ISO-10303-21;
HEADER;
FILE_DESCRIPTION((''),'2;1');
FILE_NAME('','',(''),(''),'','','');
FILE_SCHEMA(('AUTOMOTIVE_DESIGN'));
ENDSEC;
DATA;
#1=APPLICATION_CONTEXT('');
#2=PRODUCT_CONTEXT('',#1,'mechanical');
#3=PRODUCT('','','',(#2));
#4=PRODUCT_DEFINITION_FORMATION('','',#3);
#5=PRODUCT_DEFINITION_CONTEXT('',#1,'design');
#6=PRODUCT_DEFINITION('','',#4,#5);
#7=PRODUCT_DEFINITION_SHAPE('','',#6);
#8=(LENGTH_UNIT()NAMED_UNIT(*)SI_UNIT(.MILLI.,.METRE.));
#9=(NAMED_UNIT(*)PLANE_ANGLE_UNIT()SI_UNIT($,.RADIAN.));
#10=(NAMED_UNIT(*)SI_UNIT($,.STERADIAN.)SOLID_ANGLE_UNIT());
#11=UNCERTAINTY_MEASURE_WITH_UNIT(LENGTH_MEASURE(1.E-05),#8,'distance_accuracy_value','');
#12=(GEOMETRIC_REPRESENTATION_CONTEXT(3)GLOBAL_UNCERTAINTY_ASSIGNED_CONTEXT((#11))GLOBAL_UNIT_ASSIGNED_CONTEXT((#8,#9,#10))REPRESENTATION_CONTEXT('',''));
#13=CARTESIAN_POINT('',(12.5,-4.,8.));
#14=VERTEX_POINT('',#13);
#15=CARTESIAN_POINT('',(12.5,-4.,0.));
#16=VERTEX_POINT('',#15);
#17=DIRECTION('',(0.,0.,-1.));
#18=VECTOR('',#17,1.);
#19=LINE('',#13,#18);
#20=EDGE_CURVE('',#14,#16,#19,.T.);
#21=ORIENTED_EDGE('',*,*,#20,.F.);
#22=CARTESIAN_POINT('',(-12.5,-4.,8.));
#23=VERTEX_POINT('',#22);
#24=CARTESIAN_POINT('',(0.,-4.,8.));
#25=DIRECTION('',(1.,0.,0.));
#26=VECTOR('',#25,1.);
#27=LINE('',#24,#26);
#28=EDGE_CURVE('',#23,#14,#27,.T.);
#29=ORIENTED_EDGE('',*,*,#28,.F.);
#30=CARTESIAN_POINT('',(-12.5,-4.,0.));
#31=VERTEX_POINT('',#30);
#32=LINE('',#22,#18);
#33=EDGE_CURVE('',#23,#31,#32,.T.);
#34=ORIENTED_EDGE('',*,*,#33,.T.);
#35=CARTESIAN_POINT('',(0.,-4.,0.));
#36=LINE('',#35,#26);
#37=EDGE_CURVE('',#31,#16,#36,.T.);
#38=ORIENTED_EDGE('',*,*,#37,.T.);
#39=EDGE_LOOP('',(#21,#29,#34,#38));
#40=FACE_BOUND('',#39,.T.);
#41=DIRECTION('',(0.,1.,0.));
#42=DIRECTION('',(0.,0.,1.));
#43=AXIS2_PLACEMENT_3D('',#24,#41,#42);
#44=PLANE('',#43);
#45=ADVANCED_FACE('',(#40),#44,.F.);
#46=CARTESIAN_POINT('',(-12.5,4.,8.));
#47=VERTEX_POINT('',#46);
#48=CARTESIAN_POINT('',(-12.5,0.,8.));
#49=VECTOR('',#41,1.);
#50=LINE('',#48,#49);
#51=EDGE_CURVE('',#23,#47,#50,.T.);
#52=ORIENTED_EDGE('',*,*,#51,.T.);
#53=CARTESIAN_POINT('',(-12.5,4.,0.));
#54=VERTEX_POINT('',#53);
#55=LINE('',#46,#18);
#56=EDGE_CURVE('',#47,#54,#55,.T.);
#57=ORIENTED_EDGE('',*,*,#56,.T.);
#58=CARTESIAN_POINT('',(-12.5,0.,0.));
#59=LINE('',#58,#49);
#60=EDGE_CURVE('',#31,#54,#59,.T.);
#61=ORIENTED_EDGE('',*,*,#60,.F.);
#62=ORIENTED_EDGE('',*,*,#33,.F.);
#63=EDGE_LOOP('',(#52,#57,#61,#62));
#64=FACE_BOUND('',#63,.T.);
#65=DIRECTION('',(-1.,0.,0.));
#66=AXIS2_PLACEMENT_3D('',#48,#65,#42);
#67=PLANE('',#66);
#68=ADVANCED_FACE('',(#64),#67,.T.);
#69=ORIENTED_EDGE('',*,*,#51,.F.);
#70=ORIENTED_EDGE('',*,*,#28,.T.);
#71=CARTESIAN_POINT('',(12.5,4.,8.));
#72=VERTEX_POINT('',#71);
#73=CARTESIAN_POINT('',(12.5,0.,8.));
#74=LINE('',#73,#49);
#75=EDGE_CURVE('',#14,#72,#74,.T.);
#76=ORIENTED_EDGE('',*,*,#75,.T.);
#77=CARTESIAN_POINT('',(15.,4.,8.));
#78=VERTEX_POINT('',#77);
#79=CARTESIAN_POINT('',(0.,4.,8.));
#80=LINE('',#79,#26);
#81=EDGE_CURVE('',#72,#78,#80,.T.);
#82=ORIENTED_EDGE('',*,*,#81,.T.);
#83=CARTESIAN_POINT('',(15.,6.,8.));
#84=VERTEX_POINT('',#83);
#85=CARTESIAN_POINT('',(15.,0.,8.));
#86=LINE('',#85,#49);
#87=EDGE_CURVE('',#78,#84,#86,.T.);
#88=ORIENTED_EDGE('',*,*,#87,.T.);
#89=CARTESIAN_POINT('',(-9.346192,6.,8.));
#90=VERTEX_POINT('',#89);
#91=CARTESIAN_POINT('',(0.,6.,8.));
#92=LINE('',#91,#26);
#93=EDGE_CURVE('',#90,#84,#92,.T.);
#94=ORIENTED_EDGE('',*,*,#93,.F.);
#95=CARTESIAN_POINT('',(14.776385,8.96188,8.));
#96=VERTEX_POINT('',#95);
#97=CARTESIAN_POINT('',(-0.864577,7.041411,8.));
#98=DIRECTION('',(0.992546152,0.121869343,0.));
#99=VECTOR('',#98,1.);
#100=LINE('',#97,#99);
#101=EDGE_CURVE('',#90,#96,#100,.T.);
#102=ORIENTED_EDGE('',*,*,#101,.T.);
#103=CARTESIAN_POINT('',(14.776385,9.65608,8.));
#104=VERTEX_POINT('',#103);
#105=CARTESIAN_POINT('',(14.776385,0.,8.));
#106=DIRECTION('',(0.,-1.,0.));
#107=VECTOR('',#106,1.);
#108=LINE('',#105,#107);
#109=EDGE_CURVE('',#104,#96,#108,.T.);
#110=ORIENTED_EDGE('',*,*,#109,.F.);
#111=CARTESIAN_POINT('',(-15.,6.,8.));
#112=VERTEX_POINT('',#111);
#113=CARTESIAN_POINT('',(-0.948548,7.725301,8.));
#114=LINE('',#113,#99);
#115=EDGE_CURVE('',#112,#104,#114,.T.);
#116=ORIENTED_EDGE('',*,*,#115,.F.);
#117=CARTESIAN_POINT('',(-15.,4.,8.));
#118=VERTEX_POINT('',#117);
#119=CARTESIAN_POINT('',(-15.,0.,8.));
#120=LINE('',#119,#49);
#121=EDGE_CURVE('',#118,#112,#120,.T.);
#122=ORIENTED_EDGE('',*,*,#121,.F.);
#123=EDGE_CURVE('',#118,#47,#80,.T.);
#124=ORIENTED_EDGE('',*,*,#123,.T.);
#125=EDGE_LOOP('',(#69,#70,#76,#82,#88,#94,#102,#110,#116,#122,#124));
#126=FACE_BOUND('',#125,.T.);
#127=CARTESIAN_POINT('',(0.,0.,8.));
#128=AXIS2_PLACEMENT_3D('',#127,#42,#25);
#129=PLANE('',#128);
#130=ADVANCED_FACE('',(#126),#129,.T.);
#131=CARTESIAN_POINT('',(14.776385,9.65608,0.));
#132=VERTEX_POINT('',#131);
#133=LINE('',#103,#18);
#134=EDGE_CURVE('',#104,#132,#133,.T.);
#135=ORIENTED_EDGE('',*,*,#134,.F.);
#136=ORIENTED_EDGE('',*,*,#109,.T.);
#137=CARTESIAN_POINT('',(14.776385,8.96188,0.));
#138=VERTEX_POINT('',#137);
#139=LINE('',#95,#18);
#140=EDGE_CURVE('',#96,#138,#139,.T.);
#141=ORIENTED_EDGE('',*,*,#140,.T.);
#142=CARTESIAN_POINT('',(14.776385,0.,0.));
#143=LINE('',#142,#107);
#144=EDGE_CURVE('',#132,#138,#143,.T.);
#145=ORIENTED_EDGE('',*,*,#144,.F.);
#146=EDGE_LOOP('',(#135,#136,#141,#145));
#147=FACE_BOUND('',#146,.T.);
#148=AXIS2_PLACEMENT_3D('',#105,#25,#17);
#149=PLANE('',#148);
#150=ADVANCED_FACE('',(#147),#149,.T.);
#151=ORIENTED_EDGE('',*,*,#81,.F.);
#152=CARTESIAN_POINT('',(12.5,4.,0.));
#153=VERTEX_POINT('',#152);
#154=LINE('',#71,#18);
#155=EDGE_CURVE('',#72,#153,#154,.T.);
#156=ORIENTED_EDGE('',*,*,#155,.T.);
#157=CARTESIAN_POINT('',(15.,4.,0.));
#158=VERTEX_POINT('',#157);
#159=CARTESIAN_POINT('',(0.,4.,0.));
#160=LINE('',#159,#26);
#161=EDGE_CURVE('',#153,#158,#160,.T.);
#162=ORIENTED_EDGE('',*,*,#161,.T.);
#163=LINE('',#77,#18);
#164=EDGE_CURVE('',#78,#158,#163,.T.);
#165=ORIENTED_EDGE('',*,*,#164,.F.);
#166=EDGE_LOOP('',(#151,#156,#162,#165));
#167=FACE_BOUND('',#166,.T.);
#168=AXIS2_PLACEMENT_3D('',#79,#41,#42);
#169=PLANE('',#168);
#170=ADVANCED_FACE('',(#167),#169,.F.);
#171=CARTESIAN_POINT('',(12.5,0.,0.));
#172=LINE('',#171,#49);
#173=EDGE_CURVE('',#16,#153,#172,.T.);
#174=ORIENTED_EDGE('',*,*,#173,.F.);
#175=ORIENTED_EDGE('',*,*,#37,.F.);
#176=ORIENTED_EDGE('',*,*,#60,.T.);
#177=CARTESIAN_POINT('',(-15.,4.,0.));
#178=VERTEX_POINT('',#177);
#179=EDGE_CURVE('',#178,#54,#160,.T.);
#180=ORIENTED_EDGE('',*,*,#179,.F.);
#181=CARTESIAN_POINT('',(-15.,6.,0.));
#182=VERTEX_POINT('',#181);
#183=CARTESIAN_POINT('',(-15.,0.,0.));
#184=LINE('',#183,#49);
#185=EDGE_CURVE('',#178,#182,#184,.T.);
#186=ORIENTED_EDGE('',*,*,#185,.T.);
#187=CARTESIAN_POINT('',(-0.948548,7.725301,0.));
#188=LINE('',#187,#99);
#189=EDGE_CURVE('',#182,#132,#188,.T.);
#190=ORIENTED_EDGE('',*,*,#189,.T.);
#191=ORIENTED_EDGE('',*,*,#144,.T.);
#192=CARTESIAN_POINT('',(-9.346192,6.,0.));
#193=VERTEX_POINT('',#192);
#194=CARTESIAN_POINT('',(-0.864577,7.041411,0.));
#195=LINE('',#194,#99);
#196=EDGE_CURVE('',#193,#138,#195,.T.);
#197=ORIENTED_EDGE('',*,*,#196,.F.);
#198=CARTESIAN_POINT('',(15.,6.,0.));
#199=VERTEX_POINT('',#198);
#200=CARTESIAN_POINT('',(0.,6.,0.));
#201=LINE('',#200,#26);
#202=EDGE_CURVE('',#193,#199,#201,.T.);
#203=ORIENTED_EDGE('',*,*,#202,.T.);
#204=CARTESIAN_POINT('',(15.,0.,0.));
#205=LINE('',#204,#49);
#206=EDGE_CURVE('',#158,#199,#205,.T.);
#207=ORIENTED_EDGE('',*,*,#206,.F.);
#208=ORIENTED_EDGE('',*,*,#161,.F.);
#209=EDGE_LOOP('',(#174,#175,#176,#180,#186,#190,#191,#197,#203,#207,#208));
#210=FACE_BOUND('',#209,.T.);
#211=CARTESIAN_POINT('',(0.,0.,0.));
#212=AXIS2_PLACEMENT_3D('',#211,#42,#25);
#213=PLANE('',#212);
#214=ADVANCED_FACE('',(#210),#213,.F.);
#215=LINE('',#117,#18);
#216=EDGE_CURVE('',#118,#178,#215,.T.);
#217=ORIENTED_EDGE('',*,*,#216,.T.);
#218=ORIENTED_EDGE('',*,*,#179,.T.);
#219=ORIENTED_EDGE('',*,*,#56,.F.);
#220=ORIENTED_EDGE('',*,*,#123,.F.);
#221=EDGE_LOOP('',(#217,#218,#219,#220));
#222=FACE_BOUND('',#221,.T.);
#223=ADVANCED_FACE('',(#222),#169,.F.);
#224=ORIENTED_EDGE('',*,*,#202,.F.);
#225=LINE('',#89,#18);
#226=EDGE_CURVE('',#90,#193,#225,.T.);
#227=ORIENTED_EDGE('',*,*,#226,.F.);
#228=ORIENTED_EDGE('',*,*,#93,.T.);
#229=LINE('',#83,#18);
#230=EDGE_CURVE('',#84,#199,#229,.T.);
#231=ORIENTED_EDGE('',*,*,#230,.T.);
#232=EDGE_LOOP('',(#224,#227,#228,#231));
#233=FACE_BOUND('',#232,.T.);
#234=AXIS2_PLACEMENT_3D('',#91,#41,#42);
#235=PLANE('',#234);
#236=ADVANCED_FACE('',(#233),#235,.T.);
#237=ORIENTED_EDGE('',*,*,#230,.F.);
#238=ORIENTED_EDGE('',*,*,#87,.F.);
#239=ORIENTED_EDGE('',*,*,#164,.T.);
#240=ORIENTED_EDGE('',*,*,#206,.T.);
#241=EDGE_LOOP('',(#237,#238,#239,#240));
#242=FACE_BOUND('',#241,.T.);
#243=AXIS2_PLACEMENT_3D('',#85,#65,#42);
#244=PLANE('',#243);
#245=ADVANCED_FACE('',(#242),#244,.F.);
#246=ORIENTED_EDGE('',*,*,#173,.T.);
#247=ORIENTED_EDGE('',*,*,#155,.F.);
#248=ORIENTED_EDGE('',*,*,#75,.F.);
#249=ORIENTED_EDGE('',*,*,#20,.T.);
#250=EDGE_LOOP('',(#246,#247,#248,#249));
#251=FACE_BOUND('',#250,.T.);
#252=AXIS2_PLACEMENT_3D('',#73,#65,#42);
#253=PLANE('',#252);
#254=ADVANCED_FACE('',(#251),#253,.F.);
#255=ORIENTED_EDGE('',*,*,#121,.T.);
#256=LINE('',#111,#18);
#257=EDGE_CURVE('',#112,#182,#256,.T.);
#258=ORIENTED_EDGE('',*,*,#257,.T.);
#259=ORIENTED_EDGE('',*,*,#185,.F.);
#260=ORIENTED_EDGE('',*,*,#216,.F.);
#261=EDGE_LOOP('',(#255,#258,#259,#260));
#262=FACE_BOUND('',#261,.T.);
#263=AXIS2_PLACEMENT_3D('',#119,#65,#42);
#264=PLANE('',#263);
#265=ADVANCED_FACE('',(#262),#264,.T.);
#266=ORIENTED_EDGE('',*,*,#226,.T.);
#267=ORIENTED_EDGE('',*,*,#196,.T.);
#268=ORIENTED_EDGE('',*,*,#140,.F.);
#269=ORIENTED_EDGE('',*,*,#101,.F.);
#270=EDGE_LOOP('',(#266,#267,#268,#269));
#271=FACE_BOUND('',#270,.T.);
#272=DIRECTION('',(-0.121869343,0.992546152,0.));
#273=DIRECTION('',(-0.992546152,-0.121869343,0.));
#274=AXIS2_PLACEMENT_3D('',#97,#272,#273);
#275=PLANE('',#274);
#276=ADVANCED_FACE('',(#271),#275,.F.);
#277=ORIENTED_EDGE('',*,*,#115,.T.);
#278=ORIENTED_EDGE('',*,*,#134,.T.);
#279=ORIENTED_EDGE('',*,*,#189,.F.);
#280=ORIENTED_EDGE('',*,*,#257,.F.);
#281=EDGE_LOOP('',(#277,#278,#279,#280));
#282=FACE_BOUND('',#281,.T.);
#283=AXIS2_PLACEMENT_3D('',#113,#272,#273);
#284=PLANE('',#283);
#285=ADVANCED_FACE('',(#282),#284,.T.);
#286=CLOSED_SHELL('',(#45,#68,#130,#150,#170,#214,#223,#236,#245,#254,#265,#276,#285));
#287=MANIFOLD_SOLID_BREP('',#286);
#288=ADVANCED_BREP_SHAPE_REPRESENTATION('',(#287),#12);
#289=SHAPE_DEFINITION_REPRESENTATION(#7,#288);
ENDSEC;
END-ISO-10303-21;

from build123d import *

# Parameters (mm, degrees)
SKETCH1_W           = 25
SKETCH1_H           = 8
BOSS_EXTRUDE1_DEPTH = 8


with BuildPart() as part:
    # Sketch1 → Boss-Extrude1 (new body)
    with BuildSketch(Plane.XY):
        Polygon((14.776384549, 9.656080302), (-15, 6), (-9.346191937, 6), (14.776384549, 8.961879962), align=None)
        Polygon((-9.346191937, 6), (-15, 6), (-15, 4), (-12.5, 4), (12.5, 4), (15, 4), (15, 6), align=None)
        Rectangle(SKETCH1_W, SKETCH1_H)
    extrude(amount=BOSS_EXTRUDE1_DEPTH)


solid = part.part
